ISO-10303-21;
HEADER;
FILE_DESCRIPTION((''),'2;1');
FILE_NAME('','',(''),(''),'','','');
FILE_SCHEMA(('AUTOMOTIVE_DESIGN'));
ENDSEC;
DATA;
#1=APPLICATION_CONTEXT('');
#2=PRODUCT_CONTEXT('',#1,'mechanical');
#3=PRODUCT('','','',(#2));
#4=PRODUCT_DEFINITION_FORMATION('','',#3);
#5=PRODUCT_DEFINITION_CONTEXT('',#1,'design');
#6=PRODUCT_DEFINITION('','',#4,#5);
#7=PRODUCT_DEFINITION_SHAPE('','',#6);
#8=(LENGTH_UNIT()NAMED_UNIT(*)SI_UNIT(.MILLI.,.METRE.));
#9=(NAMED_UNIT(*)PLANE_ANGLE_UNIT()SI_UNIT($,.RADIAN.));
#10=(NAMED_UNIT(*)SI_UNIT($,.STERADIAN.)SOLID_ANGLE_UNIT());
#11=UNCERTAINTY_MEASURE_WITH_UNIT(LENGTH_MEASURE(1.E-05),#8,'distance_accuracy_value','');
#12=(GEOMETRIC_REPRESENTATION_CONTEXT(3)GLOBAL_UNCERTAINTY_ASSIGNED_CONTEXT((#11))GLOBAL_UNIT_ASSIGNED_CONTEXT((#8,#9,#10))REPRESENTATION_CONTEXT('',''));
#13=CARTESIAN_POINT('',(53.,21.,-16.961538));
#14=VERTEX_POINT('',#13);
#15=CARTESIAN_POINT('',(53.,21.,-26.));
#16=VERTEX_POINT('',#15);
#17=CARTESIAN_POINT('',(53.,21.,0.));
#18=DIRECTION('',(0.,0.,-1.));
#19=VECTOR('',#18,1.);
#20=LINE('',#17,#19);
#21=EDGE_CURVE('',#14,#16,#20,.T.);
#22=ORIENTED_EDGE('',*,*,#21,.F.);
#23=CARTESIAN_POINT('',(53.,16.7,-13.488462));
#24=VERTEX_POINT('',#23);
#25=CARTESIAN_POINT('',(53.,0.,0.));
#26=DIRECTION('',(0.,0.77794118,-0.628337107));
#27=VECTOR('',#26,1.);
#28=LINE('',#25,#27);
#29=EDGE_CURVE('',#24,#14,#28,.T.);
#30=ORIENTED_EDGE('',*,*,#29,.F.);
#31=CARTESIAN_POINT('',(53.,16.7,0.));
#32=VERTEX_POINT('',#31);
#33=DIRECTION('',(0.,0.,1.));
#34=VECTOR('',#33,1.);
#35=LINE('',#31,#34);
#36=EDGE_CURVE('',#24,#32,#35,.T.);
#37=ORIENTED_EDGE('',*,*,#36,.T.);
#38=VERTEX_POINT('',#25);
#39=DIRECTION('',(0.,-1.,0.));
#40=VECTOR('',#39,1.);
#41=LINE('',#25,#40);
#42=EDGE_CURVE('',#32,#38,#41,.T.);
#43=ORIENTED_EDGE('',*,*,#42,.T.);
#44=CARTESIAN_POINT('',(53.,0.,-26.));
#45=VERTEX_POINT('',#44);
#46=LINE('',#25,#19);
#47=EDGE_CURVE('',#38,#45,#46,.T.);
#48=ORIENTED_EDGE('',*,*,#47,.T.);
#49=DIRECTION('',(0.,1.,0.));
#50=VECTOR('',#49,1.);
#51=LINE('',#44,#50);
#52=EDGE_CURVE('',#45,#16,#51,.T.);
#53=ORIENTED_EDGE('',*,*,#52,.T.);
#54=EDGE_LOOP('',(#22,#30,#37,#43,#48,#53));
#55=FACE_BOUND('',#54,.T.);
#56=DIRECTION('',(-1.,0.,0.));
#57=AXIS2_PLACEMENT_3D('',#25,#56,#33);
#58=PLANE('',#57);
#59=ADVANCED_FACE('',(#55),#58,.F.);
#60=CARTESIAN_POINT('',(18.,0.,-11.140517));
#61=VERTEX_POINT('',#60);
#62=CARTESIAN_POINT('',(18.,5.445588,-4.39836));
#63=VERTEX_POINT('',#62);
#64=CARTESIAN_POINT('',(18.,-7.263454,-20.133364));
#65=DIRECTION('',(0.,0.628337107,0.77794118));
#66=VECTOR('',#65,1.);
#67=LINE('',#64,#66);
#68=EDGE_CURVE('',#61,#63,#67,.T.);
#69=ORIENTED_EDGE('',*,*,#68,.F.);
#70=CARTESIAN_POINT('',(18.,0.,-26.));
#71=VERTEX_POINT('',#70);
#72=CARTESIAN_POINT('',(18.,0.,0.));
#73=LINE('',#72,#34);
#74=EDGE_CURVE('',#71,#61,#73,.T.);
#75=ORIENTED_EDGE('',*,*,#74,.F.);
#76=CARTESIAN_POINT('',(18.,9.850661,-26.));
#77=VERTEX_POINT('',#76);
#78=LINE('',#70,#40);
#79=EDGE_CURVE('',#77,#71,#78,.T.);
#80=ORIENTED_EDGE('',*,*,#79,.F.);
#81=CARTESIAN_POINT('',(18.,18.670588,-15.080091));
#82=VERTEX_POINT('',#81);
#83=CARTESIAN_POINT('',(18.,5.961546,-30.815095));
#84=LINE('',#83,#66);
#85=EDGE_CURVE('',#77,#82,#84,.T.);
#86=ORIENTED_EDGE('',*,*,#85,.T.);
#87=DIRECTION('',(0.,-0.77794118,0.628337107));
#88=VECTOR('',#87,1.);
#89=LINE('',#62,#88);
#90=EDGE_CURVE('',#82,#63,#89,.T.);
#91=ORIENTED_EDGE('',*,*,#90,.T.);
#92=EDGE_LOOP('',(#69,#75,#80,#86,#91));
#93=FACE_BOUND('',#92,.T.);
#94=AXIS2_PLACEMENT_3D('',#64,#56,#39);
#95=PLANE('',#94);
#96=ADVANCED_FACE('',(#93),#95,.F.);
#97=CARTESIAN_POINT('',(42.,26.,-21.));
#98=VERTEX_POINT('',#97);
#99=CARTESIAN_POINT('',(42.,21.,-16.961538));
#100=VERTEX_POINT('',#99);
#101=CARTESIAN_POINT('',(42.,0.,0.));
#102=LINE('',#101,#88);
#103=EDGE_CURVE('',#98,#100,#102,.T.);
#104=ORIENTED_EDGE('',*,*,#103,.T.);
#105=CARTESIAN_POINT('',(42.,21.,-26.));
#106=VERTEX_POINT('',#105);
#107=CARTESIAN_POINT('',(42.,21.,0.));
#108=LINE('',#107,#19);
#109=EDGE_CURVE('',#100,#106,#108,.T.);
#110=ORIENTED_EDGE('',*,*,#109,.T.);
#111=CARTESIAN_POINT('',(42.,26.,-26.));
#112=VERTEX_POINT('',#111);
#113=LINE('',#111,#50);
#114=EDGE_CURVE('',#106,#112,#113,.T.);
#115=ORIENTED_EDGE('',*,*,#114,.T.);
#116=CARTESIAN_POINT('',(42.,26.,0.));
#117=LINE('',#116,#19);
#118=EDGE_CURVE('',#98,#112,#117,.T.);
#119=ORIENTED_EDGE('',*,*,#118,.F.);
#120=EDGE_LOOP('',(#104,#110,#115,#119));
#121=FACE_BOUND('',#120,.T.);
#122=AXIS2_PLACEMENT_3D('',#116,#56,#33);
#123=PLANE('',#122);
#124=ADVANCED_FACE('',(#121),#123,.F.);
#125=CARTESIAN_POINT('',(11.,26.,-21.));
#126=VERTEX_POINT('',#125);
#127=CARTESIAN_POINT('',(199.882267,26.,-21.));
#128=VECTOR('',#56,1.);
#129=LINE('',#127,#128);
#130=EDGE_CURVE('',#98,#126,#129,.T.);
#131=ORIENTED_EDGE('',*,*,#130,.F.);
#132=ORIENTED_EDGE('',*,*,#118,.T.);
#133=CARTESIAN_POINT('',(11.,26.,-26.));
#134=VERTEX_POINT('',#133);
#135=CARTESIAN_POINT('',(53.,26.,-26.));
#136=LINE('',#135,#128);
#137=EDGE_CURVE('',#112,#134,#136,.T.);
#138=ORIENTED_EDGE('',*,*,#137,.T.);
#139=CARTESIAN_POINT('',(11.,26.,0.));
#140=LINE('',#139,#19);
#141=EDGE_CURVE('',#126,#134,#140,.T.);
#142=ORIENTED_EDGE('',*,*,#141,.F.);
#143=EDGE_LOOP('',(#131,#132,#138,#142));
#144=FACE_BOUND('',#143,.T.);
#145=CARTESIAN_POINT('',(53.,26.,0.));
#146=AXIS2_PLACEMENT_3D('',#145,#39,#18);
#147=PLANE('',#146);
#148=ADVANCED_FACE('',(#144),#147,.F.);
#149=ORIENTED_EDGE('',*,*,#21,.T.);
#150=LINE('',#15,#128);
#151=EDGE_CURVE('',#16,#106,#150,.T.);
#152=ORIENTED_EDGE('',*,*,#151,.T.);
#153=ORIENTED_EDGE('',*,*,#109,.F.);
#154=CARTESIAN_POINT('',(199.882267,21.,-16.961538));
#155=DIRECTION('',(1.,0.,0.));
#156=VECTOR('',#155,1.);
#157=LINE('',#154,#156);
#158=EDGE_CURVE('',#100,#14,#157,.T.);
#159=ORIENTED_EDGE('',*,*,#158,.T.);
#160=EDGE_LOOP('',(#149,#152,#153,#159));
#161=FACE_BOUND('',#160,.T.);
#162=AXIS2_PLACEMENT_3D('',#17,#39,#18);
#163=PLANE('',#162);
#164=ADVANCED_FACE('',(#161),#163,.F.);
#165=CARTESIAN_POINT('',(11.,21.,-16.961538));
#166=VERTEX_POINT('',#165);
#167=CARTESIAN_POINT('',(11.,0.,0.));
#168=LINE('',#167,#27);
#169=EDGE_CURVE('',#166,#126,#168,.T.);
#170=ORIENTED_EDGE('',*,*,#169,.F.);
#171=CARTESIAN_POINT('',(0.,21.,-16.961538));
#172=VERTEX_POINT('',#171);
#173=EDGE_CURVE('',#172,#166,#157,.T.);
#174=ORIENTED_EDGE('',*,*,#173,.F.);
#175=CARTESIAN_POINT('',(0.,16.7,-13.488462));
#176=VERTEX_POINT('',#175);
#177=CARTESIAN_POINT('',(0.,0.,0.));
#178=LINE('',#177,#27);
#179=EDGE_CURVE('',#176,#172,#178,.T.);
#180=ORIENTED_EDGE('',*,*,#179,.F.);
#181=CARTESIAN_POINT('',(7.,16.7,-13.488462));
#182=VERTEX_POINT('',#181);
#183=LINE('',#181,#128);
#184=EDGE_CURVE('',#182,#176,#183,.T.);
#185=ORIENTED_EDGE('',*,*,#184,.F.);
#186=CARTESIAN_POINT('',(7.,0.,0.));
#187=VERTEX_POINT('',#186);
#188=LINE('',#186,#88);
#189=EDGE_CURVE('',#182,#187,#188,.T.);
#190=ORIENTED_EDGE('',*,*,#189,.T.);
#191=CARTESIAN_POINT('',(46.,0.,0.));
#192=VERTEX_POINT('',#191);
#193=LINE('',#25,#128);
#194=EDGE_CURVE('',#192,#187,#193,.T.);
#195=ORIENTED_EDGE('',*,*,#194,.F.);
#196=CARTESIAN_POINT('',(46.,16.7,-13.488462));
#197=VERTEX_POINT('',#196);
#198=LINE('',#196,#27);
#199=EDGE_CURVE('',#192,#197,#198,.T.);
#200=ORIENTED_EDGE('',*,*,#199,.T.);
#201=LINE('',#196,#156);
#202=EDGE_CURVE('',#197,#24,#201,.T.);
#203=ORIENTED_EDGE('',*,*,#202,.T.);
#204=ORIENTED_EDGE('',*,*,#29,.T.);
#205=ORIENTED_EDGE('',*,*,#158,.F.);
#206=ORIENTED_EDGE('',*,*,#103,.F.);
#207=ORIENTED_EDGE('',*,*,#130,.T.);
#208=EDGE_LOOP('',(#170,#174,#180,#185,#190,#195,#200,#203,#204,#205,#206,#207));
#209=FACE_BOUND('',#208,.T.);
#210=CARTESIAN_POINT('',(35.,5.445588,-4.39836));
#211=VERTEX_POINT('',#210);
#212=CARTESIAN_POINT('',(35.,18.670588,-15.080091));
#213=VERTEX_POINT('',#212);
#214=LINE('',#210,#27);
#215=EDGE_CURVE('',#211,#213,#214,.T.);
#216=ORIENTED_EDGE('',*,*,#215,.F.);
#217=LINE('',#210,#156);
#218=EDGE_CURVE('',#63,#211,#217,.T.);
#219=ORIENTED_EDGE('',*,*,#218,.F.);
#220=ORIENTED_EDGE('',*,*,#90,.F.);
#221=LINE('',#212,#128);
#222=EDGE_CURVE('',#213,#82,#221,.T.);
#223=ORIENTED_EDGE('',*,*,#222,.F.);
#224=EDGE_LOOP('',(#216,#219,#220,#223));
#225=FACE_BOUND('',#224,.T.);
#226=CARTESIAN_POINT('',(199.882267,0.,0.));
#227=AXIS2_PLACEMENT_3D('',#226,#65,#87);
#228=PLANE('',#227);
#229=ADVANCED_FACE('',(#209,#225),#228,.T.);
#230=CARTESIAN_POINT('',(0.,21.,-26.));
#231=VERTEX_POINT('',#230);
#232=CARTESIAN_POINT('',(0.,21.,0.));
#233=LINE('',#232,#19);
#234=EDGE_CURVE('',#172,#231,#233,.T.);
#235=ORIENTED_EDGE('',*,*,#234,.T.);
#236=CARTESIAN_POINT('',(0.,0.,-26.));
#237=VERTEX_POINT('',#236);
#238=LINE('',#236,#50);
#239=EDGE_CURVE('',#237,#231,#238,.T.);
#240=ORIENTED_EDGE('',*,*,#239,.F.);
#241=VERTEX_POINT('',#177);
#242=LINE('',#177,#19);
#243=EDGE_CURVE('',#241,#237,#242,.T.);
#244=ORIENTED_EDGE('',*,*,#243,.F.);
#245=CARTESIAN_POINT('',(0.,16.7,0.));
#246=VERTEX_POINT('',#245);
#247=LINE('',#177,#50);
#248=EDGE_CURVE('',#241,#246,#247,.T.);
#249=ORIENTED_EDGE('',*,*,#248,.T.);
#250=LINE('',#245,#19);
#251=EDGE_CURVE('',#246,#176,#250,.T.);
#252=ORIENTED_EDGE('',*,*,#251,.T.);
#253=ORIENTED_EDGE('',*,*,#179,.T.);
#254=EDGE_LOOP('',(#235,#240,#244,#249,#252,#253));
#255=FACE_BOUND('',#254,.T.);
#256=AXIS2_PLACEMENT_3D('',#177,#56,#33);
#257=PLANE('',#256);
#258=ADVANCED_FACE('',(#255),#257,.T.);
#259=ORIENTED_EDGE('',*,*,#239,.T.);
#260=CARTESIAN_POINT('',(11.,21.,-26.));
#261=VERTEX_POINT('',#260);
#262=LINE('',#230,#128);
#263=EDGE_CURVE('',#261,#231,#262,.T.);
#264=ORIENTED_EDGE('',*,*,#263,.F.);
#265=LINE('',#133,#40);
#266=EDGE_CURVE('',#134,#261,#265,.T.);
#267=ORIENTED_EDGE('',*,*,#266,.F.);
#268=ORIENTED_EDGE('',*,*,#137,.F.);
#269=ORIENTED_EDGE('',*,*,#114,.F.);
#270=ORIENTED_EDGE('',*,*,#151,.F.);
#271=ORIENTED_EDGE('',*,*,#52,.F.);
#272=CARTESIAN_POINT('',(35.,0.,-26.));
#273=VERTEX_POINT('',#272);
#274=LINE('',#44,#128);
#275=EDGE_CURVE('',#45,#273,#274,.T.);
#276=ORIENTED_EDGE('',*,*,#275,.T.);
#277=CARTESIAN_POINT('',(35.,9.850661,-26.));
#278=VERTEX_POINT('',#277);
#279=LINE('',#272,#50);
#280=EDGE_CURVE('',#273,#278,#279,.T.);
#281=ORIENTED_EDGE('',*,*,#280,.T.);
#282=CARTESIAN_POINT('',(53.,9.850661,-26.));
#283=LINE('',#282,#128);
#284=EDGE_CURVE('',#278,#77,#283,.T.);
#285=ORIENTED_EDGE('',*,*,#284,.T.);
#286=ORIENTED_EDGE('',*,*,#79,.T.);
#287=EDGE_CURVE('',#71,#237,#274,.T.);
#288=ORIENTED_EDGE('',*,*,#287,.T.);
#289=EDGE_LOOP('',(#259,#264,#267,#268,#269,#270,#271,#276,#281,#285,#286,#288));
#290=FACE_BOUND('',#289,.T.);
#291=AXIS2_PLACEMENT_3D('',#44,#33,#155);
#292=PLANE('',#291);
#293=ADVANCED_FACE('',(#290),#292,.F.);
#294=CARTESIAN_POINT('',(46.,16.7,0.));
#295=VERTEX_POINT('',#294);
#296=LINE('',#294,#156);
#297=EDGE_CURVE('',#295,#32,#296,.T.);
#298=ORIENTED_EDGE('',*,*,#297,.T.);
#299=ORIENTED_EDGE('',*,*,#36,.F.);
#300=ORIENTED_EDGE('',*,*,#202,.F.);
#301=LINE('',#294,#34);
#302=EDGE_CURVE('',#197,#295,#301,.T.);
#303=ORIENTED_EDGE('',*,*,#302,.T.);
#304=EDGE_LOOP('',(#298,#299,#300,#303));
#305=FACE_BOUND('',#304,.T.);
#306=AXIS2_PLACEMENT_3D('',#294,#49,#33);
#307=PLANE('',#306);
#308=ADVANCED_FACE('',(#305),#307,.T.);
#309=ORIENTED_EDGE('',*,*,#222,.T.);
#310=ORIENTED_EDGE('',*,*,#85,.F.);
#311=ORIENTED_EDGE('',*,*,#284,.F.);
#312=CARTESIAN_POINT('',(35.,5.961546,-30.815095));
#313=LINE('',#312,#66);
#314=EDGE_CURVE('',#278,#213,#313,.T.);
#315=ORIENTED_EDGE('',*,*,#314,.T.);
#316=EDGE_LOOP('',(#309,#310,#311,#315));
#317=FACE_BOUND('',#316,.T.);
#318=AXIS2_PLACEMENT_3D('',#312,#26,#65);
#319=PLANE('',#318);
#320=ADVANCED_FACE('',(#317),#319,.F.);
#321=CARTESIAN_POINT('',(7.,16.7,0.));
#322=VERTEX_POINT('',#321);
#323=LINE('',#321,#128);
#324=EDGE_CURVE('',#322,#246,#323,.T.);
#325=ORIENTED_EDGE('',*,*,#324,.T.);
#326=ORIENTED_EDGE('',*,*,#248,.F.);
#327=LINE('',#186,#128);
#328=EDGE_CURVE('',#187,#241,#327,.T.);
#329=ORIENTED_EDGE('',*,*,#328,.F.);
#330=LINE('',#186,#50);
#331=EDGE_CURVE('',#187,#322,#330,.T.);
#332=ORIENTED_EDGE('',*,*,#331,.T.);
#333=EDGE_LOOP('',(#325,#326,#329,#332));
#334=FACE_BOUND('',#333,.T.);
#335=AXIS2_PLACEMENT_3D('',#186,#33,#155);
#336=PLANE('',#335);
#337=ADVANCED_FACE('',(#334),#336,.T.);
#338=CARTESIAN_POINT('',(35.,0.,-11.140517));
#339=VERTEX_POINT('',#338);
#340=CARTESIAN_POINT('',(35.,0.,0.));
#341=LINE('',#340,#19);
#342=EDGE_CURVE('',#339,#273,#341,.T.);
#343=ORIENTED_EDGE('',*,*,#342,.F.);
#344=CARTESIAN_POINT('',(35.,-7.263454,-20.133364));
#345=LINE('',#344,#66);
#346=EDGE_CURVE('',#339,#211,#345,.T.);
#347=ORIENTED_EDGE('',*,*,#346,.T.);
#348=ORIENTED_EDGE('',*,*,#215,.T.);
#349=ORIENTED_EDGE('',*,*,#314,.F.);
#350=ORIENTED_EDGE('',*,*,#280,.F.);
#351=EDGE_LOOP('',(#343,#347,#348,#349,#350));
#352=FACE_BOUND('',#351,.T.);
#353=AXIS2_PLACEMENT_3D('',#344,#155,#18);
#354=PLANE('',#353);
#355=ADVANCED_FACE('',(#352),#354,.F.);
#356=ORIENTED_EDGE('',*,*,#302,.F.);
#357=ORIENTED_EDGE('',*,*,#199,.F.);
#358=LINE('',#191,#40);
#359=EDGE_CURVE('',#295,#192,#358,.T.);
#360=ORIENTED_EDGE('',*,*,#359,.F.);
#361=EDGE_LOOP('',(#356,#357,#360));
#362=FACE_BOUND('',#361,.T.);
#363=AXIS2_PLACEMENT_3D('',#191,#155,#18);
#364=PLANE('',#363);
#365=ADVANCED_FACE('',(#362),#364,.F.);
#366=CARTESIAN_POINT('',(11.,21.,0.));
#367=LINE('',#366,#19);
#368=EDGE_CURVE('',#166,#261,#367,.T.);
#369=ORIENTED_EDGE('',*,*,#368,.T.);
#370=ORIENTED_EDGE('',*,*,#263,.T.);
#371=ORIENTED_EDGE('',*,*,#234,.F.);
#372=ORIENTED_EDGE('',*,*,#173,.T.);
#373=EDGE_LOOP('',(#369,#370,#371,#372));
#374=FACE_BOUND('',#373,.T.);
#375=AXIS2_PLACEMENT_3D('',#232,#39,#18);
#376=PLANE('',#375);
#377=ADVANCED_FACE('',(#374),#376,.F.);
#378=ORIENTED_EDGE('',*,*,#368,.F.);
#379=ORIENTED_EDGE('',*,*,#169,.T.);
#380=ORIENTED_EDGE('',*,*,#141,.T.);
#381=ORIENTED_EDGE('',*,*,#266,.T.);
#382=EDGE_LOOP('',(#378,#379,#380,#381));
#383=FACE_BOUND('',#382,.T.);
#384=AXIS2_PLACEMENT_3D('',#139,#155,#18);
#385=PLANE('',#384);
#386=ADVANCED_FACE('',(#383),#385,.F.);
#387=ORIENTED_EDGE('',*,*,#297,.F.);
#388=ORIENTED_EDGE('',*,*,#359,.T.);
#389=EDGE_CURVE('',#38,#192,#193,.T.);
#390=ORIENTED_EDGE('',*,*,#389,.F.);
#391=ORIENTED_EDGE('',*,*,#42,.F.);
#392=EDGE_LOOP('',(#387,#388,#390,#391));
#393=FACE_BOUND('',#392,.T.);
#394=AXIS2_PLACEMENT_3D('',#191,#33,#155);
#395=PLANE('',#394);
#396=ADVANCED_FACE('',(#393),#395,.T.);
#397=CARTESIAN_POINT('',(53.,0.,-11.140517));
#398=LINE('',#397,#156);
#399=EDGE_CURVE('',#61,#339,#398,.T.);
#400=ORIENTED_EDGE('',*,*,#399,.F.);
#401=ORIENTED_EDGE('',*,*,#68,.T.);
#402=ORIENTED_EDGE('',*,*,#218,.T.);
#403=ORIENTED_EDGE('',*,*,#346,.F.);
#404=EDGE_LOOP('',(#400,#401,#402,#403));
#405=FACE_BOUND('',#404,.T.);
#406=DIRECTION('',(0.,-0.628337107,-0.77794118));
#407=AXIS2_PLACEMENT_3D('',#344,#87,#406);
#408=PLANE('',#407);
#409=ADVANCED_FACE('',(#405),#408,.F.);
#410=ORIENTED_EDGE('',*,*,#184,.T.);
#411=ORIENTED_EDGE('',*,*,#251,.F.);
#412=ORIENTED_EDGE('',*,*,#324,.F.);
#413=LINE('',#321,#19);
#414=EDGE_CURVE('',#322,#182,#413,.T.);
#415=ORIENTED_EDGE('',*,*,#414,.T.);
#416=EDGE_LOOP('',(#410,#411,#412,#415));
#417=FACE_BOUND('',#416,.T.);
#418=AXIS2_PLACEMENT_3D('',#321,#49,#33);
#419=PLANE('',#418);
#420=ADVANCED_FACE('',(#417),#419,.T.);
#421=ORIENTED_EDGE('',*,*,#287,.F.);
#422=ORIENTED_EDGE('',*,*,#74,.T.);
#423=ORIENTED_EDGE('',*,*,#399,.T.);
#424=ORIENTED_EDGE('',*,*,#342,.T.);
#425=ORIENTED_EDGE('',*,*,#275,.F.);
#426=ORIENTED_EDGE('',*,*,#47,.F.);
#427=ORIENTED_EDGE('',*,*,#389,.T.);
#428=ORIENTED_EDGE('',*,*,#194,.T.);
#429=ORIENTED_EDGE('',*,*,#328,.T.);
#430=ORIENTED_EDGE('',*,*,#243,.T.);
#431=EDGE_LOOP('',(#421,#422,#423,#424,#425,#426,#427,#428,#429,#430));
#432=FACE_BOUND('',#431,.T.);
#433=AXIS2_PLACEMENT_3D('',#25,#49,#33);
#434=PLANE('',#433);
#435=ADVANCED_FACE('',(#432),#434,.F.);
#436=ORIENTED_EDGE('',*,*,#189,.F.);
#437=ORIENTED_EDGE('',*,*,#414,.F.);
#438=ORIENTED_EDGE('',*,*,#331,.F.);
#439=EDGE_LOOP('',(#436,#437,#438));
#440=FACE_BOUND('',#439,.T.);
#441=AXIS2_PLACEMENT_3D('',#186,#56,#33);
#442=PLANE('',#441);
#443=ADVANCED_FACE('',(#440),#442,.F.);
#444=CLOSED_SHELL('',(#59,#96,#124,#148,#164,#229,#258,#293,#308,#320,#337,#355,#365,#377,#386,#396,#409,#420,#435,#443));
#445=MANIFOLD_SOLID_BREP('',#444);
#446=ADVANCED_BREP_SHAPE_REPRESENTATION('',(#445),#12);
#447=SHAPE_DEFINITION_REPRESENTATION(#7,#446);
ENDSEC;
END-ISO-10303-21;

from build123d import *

# Parameters (mm, degrees)
SKETCH2_W               = 26
SKETCH2_H               = 26
BOSS_EXTRUDE1_DEPTH     = 53
CUT_EXTRUDE2_DEPTH      = 1
CUT_EXTRUDE2_DEPTH_BACK = 54
SKETCH4_W               = 11
SKETCH4_H               = 5
CUT_EXTRUDE3_DEPTH      = 27
SKETCH5_W               = 17
SKETCH5_H               = 17
CUT_EXTRUDE4_DEPTH      = 21.226470685
BOSS_EXTRUDE3_DEPTH     = 7
BOSS_EXTRUDE4_DEPTH     = 7


with BuildPart() as part:
    # Sketch2 → Boss-Extrude1 (new body)
    with BuildSketch(Plane(origin=(0, 0, 0), x_dir=(0, 0, -1), z_dir=(1, 0, 0))):
        with Locations((13, 13)):
            Rectangle(SKETCH2_W, SKETCH2_H)
    extrude(amount=BOSS_EXTRUDE1_DEPTH)

    # Sketch3 → Cut-Extrude2 (cut, two sides)
    with BuildSketch(Plane(origin=(53, 0, 0), x_dir=(0, 0, -1), z_dir=(1, 0, 0))) as cut_extrude2_sk:
        Polygon((-52.490719717, -64.988510126), (0, 0), (21, 26), (73.490719717, 90.988510126), (-56.486300535, 195.969949561), (-182.46773997, 39.992929308), align=None)
    extrude(amount=CUT_EXTRUDE2_DEPTH, mode=Mode.SUBTRACT)
    extrude(cut_extrude2_sk.sketch, amount=-CUT_EXTRUDE2_DEPTH_BACK, mode=Mode.SUBTRACT)

    # Sketch4 → Cut-Extrude3 (cut, through all)
    with BuildSketch(Plane(origin=(0, 0, -26), x_dir=(-1, 0, 0), z_dir=(0, 0, -1))):
        with Locations((-5.5, 23.5)):
            Rectangle(SKETCH4_W, SKETCH4_H)
        with Locations((-47.5, 23.5)):
            Rectangle(SKETCH4_W, SKETCH4_H)
    extrude(amount=-CUT_EXTRUDE3_DEPTH, mode=Mode.SUBTRACT)

    # Sketch5 → Cut-Extrude4 (cut, through all)
    with BuildSketch(Plane(origin=(0, 0, 0), x_dir=(1, 0, 0), z_dir=(0, 0.628337107, 0.77794118))):
        with Locations((26.5, 15.5)):
            Rectangle(SKETCH5_W, SKETCH5_H)
    extrude(amount=-CUT_EXTRUDE4_DEPTH, mode=Mode.SUBTRACT)

    # Sketch6 → Boss-Extrude3 (add)
    with BuildSketch(Plane(origin=(53, 0, 0), x_dir=(0, 0, -1), z_dir=(1, 0, 0))):
        Polygon((0, 0), (0, 16.7), (13.488461538, 16.7), align=None)
    extrude(amount=-BOSS_EXTRUDE3_DEPTH)

    # Sketch8 → Boss-Extrude4 (add)
    with BuildSketch(Plane.ZY):
        Polygon((0, 0), (0, 16.7), (-13.488461538, 16.7), align=None)
    extrude(amount=-BOSS_EXTRUDE4_DEPTH)


solid = part.part
